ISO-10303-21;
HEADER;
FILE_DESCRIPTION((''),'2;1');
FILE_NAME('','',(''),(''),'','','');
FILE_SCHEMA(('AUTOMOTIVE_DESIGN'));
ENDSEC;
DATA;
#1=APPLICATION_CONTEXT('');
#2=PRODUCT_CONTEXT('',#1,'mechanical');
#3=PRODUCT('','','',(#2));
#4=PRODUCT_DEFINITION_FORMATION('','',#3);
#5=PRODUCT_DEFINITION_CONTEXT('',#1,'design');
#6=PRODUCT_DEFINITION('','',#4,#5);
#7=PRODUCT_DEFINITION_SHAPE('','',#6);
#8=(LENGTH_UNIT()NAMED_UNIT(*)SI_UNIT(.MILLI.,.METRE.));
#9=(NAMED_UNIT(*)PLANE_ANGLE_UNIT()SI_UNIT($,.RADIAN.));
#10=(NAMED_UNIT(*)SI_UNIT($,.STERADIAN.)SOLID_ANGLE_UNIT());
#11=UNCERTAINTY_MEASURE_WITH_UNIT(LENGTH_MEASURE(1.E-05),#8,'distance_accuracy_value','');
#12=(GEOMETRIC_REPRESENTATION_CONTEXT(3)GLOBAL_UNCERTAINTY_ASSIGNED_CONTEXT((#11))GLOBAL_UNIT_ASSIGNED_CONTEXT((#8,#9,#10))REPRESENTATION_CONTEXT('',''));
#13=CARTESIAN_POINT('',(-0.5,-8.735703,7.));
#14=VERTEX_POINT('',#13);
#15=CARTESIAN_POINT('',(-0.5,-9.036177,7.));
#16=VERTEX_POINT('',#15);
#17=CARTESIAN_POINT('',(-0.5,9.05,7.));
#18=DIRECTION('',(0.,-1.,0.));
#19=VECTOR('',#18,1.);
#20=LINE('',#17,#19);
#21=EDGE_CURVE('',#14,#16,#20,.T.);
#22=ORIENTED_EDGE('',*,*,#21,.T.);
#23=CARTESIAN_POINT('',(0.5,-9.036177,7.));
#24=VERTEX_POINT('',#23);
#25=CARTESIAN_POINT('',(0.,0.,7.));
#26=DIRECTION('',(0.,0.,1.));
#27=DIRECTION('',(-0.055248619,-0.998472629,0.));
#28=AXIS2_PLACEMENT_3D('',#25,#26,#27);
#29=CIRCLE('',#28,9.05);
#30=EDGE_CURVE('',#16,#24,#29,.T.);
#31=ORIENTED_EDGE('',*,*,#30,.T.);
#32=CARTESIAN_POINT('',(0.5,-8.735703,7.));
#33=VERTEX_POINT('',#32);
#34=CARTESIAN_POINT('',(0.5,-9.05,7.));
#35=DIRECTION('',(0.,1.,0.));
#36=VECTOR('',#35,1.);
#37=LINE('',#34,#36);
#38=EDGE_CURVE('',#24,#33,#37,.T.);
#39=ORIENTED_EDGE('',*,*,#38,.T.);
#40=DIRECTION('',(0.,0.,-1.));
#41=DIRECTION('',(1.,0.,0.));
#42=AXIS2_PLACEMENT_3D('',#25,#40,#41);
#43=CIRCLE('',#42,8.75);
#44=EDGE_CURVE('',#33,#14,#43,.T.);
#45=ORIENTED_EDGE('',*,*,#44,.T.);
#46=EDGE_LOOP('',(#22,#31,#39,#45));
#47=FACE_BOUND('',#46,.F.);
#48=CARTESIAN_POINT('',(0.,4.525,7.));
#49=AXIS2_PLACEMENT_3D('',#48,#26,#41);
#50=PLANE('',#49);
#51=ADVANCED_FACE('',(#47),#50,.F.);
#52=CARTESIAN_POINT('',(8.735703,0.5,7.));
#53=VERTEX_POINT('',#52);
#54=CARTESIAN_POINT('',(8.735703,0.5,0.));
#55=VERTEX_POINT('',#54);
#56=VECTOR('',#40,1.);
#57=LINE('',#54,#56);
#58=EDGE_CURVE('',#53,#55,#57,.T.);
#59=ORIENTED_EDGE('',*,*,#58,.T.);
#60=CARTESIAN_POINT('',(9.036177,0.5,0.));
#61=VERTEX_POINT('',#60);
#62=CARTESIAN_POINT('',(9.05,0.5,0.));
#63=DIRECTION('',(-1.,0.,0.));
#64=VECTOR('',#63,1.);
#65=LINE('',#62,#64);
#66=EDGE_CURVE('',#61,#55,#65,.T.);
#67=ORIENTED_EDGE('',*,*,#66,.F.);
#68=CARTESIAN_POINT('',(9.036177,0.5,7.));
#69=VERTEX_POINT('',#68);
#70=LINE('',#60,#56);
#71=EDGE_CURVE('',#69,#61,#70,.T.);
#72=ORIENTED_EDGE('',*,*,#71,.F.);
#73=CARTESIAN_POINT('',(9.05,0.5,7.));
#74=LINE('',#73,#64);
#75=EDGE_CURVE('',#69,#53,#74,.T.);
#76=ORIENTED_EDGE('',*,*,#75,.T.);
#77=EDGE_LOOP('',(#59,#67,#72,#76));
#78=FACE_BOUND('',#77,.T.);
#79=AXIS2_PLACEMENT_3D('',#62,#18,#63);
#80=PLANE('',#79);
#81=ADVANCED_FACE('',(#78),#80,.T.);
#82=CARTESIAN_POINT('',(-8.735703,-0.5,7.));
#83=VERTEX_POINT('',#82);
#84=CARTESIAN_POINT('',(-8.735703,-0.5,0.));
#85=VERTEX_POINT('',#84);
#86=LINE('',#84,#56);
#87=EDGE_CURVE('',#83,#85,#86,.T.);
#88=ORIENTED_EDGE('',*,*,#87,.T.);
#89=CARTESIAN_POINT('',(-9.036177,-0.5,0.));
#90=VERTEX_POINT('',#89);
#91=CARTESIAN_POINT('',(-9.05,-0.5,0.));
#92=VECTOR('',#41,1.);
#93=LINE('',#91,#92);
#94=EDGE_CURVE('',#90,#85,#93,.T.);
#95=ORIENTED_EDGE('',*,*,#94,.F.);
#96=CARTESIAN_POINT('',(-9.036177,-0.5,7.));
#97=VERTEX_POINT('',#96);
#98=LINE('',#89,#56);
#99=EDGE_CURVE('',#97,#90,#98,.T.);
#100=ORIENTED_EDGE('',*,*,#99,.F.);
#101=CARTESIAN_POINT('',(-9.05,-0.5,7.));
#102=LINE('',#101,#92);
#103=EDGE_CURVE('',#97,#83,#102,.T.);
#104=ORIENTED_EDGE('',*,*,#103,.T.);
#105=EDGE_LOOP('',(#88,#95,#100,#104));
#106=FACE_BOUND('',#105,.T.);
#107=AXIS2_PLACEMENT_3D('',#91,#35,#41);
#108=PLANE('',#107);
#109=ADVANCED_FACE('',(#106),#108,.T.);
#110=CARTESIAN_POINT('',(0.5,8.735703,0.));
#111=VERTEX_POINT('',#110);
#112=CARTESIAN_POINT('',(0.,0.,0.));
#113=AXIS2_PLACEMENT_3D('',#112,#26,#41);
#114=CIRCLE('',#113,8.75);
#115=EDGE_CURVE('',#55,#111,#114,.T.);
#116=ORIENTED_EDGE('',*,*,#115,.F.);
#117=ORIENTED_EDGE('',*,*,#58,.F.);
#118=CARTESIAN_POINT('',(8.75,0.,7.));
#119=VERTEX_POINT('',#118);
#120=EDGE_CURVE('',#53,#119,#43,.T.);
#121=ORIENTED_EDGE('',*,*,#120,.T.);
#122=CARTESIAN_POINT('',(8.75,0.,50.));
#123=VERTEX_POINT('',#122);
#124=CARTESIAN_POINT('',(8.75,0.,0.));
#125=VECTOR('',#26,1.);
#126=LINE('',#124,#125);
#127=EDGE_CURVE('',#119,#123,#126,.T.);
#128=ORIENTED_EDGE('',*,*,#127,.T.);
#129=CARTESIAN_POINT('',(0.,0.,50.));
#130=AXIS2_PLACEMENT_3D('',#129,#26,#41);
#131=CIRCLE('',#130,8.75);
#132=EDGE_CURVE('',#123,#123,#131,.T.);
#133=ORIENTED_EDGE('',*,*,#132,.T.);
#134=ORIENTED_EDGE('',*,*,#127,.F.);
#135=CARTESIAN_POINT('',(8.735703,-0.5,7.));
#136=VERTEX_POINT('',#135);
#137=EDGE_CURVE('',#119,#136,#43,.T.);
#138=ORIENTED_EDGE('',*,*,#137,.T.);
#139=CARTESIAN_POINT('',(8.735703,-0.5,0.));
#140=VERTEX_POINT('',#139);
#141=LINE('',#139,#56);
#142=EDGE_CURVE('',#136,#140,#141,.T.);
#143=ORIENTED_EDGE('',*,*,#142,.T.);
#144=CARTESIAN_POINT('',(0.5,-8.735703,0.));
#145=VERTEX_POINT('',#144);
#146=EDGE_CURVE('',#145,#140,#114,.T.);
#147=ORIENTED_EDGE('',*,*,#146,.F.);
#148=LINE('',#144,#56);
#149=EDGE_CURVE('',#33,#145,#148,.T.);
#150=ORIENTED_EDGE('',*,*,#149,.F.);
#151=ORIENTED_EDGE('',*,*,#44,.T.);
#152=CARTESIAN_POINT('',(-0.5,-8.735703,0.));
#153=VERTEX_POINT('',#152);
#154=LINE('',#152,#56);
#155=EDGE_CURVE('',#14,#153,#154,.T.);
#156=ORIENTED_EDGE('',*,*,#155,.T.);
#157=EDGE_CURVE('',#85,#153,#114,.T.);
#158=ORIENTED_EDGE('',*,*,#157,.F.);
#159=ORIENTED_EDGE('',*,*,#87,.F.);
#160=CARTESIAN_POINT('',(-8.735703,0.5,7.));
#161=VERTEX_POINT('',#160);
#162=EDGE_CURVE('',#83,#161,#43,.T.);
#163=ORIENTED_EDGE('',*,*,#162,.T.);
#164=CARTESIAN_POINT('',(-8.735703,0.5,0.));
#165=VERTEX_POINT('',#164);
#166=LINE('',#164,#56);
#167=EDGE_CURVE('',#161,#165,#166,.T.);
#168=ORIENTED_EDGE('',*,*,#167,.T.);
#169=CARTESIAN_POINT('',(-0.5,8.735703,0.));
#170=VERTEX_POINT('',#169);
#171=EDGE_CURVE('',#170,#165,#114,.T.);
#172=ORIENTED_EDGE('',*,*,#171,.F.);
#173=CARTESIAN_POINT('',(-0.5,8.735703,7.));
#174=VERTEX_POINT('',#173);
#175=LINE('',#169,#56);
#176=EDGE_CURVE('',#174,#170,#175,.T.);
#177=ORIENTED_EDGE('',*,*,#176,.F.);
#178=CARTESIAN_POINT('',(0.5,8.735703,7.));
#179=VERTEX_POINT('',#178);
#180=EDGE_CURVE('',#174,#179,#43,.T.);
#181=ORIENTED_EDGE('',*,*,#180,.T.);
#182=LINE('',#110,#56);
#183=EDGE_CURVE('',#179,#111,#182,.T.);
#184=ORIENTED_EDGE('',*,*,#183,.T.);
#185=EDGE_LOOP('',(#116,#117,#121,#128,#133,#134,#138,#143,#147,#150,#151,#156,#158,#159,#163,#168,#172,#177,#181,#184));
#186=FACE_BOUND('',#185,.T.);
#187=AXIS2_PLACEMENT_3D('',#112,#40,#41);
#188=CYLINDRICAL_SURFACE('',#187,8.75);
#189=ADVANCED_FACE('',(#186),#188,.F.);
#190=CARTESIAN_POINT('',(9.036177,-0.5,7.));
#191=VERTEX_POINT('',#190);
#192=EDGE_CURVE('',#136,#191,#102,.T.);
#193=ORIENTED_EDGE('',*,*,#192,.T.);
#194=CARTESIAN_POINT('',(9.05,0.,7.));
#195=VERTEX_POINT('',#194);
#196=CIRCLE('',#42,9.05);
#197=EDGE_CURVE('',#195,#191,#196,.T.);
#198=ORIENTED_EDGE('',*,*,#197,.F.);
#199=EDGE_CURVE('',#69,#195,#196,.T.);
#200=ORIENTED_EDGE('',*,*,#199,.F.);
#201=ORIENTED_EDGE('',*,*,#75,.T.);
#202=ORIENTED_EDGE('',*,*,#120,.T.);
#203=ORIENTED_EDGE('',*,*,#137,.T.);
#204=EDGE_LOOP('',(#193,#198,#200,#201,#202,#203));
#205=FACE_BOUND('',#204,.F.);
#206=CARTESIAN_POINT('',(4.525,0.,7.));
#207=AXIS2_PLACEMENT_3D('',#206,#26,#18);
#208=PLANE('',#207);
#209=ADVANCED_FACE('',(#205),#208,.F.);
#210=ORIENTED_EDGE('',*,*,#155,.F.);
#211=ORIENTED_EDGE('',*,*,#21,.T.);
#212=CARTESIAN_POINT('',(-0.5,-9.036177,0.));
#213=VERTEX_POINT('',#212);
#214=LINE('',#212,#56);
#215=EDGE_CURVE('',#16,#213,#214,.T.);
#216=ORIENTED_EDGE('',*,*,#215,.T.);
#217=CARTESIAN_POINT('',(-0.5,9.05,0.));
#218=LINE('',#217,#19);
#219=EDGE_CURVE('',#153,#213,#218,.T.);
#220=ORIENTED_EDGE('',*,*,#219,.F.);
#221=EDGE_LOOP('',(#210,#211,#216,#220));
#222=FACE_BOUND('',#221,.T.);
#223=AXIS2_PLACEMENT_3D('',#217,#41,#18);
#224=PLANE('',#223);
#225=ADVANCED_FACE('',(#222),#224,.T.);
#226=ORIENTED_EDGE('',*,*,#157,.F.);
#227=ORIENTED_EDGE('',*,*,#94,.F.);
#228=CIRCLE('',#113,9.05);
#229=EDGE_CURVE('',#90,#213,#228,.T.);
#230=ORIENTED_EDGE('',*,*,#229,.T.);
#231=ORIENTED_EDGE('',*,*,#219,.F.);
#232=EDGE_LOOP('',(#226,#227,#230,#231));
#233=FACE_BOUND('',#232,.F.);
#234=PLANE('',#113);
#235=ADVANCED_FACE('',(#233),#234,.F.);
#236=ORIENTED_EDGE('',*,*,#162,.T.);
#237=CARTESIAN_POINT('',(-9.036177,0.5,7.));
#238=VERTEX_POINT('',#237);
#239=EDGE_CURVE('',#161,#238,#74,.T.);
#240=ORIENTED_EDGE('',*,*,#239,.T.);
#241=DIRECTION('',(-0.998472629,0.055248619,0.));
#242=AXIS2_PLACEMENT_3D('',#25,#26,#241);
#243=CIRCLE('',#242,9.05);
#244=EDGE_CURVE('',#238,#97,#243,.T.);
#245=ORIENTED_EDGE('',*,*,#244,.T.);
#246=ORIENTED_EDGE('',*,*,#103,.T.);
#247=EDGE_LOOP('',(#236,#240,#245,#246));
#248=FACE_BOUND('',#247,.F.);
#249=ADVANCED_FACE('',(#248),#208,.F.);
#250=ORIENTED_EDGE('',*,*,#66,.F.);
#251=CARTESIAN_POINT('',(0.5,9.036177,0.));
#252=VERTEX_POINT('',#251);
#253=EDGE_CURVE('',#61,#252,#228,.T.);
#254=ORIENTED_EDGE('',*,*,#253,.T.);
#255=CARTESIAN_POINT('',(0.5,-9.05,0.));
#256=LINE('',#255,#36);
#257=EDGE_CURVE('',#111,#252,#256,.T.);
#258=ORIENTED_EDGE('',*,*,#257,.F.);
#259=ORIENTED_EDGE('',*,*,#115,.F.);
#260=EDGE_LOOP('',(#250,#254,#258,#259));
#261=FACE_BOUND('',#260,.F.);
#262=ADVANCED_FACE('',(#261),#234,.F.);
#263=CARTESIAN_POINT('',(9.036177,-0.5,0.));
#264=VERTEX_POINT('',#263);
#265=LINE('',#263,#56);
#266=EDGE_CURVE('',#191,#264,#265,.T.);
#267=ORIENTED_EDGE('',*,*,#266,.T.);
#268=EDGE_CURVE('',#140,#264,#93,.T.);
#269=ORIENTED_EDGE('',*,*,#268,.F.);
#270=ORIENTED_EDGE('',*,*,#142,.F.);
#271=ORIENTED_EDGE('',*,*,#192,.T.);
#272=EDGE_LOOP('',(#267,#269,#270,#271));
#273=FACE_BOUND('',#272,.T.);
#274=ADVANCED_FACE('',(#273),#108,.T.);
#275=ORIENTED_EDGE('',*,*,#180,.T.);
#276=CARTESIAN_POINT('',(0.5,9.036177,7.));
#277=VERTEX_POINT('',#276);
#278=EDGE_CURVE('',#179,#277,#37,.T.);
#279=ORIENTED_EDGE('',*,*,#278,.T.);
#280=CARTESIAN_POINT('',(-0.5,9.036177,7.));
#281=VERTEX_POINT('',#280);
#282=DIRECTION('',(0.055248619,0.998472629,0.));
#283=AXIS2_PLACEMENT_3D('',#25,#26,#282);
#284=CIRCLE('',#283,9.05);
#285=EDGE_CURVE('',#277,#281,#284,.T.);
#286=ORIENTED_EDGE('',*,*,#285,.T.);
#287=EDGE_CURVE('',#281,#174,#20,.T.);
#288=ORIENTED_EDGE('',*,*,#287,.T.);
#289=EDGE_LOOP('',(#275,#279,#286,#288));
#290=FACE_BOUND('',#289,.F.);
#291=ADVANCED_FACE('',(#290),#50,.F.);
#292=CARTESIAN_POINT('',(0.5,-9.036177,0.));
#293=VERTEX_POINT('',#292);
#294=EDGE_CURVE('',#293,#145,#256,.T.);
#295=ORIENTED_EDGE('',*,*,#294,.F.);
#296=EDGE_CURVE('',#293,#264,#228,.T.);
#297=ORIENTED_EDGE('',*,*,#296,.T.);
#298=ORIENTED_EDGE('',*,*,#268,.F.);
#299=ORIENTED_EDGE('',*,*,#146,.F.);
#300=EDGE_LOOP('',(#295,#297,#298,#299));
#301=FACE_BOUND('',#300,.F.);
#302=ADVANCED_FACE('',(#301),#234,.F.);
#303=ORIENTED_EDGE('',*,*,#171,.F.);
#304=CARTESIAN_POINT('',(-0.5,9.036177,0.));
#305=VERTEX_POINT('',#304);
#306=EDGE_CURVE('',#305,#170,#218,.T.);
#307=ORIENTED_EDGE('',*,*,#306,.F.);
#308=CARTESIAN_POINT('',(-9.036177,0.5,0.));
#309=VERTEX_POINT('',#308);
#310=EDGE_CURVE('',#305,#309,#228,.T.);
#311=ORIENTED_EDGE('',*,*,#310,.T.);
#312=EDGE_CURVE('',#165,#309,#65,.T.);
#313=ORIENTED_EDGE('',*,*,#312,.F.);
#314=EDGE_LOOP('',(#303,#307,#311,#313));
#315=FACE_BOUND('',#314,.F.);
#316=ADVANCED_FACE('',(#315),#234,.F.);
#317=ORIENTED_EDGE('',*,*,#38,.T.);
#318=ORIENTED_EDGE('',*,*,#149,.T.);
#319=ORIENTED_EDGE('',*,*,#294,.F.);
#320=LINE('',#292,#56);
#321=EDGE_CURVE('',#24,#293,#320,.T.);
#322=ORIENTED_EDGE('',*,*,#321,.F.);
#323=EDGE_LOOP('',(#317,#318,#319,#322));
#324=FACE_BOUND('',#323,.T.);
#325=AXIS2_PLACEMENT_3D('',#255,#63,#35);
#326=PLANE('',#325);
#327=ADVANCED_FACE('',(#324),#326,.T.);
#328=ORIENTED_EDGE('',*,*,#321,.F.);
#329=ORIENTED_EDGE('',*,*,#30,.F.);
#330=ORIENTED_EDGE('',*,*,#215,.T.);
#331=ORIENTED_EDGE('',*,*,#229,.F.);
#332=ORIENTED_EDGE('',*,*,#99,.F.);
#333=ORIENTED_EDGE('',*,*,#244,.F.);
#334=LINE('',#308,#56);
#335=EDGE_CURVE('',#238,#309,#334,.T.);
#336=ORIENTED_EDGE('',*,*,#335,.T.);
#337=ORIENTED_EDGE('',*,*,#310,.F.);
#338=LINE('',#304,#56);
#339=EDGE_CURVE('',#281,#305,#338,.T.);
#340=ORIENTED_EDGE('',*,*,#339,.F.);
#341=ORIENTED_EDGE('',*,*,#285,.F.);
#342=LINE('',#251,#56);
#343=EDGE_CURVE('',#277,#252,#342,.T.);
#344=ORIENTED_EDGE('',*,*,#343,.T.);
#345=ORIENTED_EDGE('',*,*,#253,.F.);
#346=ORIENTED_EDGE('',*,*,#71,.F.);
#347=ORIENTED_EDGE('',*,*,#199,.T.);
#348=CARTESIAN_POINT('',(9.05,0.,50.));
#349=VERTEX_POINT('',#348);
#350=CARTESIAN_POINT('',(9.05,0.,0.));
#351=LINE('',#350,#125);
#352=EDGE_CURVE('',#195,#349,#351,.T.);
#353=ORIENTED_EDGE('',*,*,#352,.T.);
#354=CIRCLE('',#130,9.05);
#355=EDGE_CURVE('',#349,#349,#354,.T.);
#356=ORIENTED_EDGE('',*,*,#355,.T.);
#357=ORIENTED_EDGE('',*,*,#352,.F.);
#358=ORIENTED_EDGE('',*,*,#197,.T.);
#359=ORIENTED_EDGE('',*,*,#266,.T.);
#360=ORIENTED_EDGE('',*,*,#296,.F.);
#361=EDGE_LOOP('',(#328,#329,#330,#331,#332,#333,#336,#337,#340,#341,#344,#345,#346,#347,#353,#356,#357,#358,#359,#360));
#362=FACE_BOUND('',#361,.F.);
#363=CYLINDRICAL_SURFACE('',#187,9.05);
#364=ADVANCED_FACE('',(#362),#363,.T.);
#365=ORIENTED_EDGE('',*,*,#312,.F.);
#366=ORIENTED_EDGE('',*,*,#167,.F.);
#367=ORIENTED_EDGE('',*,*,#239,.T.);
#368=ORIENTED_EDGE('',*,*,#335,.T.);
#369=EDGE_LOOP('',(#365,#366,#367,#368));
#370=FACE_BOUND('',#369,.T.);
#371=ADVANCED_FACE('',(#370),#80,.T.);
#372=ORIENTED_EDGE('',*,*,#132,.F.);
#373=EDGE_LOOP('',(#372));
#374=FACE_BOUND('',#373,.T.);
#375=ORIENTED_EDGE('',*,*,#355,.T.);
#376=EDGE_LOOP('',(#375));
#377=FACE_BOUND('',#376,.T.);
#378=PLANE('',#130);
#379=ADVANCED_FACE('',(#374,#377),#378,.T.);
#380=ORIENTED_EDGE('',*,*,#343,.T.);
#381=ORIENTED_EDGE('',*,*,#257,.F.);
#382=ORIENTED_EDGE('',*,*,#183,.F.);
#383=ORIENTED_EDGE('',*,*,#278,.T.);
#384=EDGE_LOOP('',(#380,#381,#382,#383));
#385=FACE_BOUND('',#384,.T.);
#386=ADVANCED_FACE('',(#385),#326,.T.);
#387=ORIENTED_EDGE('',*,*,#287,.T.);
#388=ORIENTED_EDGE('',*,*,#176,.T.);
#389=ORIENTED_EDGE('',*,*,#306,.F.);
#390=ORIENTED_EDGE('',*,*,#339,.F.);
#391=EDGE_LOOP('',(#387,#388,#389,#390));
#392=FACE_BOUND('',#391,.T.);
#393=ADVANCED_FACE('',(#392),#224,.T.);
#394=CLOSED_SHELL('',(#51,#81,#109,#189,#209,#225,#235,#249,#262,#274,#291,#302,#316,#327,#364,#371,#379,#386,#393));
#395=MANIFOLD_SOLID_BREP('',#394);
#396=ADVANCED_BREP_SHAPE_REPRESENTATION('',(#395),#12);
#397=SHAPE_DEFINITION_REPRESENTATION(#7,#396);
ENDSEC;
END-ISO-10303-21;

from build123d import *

# Parameters (mm, degrees)
F0_R     = 9.05
F0_R_2   = 8.75
F1_DEPTH = 50
F2_W     = 1
F2_H     = 9.05
F3_DEPTH = 7
F4_COUNT = 2
F4_ANGLE = 90


with BuildPart() as f1:
    # F0 (on Top) → F1 (new body)
    with BuildSketch(Plane.XY):
        Circle(F0_R)
        Circle(F0_R_2, mode=Mode.SUBTRACT)
    extrude(amount=F1_DEPTH)


with BuildPart() as f3:
    # F2 (on Top) → F3 (new body)
    with BuildSketch(Plane.XY):
        with Locations((0, 4.525)):
            Rectangle(F2_W, F2_H)
        with Locations((0, -4.525)):
            Rectangle(F2_W, F2_H)
    extrude(amount=F3_DEPTH)


with BuildPart() as f4_1:
    # F4: instance of F3
    add(f3.part.rotate(Axis((0, 0, 0), (0, 0, -1)), 1 * F4_ANGLE / (F4_COUNT - 1)))


with BuildPart() as f1_1:
    add(f1.part)

    # F5: cut F3, F4_1
    add(f3.part, mode=Mode.SUBTRACT)
    add(f4_1.part, mode=Mode.SUBTRACT)


solid = f1_1.part
